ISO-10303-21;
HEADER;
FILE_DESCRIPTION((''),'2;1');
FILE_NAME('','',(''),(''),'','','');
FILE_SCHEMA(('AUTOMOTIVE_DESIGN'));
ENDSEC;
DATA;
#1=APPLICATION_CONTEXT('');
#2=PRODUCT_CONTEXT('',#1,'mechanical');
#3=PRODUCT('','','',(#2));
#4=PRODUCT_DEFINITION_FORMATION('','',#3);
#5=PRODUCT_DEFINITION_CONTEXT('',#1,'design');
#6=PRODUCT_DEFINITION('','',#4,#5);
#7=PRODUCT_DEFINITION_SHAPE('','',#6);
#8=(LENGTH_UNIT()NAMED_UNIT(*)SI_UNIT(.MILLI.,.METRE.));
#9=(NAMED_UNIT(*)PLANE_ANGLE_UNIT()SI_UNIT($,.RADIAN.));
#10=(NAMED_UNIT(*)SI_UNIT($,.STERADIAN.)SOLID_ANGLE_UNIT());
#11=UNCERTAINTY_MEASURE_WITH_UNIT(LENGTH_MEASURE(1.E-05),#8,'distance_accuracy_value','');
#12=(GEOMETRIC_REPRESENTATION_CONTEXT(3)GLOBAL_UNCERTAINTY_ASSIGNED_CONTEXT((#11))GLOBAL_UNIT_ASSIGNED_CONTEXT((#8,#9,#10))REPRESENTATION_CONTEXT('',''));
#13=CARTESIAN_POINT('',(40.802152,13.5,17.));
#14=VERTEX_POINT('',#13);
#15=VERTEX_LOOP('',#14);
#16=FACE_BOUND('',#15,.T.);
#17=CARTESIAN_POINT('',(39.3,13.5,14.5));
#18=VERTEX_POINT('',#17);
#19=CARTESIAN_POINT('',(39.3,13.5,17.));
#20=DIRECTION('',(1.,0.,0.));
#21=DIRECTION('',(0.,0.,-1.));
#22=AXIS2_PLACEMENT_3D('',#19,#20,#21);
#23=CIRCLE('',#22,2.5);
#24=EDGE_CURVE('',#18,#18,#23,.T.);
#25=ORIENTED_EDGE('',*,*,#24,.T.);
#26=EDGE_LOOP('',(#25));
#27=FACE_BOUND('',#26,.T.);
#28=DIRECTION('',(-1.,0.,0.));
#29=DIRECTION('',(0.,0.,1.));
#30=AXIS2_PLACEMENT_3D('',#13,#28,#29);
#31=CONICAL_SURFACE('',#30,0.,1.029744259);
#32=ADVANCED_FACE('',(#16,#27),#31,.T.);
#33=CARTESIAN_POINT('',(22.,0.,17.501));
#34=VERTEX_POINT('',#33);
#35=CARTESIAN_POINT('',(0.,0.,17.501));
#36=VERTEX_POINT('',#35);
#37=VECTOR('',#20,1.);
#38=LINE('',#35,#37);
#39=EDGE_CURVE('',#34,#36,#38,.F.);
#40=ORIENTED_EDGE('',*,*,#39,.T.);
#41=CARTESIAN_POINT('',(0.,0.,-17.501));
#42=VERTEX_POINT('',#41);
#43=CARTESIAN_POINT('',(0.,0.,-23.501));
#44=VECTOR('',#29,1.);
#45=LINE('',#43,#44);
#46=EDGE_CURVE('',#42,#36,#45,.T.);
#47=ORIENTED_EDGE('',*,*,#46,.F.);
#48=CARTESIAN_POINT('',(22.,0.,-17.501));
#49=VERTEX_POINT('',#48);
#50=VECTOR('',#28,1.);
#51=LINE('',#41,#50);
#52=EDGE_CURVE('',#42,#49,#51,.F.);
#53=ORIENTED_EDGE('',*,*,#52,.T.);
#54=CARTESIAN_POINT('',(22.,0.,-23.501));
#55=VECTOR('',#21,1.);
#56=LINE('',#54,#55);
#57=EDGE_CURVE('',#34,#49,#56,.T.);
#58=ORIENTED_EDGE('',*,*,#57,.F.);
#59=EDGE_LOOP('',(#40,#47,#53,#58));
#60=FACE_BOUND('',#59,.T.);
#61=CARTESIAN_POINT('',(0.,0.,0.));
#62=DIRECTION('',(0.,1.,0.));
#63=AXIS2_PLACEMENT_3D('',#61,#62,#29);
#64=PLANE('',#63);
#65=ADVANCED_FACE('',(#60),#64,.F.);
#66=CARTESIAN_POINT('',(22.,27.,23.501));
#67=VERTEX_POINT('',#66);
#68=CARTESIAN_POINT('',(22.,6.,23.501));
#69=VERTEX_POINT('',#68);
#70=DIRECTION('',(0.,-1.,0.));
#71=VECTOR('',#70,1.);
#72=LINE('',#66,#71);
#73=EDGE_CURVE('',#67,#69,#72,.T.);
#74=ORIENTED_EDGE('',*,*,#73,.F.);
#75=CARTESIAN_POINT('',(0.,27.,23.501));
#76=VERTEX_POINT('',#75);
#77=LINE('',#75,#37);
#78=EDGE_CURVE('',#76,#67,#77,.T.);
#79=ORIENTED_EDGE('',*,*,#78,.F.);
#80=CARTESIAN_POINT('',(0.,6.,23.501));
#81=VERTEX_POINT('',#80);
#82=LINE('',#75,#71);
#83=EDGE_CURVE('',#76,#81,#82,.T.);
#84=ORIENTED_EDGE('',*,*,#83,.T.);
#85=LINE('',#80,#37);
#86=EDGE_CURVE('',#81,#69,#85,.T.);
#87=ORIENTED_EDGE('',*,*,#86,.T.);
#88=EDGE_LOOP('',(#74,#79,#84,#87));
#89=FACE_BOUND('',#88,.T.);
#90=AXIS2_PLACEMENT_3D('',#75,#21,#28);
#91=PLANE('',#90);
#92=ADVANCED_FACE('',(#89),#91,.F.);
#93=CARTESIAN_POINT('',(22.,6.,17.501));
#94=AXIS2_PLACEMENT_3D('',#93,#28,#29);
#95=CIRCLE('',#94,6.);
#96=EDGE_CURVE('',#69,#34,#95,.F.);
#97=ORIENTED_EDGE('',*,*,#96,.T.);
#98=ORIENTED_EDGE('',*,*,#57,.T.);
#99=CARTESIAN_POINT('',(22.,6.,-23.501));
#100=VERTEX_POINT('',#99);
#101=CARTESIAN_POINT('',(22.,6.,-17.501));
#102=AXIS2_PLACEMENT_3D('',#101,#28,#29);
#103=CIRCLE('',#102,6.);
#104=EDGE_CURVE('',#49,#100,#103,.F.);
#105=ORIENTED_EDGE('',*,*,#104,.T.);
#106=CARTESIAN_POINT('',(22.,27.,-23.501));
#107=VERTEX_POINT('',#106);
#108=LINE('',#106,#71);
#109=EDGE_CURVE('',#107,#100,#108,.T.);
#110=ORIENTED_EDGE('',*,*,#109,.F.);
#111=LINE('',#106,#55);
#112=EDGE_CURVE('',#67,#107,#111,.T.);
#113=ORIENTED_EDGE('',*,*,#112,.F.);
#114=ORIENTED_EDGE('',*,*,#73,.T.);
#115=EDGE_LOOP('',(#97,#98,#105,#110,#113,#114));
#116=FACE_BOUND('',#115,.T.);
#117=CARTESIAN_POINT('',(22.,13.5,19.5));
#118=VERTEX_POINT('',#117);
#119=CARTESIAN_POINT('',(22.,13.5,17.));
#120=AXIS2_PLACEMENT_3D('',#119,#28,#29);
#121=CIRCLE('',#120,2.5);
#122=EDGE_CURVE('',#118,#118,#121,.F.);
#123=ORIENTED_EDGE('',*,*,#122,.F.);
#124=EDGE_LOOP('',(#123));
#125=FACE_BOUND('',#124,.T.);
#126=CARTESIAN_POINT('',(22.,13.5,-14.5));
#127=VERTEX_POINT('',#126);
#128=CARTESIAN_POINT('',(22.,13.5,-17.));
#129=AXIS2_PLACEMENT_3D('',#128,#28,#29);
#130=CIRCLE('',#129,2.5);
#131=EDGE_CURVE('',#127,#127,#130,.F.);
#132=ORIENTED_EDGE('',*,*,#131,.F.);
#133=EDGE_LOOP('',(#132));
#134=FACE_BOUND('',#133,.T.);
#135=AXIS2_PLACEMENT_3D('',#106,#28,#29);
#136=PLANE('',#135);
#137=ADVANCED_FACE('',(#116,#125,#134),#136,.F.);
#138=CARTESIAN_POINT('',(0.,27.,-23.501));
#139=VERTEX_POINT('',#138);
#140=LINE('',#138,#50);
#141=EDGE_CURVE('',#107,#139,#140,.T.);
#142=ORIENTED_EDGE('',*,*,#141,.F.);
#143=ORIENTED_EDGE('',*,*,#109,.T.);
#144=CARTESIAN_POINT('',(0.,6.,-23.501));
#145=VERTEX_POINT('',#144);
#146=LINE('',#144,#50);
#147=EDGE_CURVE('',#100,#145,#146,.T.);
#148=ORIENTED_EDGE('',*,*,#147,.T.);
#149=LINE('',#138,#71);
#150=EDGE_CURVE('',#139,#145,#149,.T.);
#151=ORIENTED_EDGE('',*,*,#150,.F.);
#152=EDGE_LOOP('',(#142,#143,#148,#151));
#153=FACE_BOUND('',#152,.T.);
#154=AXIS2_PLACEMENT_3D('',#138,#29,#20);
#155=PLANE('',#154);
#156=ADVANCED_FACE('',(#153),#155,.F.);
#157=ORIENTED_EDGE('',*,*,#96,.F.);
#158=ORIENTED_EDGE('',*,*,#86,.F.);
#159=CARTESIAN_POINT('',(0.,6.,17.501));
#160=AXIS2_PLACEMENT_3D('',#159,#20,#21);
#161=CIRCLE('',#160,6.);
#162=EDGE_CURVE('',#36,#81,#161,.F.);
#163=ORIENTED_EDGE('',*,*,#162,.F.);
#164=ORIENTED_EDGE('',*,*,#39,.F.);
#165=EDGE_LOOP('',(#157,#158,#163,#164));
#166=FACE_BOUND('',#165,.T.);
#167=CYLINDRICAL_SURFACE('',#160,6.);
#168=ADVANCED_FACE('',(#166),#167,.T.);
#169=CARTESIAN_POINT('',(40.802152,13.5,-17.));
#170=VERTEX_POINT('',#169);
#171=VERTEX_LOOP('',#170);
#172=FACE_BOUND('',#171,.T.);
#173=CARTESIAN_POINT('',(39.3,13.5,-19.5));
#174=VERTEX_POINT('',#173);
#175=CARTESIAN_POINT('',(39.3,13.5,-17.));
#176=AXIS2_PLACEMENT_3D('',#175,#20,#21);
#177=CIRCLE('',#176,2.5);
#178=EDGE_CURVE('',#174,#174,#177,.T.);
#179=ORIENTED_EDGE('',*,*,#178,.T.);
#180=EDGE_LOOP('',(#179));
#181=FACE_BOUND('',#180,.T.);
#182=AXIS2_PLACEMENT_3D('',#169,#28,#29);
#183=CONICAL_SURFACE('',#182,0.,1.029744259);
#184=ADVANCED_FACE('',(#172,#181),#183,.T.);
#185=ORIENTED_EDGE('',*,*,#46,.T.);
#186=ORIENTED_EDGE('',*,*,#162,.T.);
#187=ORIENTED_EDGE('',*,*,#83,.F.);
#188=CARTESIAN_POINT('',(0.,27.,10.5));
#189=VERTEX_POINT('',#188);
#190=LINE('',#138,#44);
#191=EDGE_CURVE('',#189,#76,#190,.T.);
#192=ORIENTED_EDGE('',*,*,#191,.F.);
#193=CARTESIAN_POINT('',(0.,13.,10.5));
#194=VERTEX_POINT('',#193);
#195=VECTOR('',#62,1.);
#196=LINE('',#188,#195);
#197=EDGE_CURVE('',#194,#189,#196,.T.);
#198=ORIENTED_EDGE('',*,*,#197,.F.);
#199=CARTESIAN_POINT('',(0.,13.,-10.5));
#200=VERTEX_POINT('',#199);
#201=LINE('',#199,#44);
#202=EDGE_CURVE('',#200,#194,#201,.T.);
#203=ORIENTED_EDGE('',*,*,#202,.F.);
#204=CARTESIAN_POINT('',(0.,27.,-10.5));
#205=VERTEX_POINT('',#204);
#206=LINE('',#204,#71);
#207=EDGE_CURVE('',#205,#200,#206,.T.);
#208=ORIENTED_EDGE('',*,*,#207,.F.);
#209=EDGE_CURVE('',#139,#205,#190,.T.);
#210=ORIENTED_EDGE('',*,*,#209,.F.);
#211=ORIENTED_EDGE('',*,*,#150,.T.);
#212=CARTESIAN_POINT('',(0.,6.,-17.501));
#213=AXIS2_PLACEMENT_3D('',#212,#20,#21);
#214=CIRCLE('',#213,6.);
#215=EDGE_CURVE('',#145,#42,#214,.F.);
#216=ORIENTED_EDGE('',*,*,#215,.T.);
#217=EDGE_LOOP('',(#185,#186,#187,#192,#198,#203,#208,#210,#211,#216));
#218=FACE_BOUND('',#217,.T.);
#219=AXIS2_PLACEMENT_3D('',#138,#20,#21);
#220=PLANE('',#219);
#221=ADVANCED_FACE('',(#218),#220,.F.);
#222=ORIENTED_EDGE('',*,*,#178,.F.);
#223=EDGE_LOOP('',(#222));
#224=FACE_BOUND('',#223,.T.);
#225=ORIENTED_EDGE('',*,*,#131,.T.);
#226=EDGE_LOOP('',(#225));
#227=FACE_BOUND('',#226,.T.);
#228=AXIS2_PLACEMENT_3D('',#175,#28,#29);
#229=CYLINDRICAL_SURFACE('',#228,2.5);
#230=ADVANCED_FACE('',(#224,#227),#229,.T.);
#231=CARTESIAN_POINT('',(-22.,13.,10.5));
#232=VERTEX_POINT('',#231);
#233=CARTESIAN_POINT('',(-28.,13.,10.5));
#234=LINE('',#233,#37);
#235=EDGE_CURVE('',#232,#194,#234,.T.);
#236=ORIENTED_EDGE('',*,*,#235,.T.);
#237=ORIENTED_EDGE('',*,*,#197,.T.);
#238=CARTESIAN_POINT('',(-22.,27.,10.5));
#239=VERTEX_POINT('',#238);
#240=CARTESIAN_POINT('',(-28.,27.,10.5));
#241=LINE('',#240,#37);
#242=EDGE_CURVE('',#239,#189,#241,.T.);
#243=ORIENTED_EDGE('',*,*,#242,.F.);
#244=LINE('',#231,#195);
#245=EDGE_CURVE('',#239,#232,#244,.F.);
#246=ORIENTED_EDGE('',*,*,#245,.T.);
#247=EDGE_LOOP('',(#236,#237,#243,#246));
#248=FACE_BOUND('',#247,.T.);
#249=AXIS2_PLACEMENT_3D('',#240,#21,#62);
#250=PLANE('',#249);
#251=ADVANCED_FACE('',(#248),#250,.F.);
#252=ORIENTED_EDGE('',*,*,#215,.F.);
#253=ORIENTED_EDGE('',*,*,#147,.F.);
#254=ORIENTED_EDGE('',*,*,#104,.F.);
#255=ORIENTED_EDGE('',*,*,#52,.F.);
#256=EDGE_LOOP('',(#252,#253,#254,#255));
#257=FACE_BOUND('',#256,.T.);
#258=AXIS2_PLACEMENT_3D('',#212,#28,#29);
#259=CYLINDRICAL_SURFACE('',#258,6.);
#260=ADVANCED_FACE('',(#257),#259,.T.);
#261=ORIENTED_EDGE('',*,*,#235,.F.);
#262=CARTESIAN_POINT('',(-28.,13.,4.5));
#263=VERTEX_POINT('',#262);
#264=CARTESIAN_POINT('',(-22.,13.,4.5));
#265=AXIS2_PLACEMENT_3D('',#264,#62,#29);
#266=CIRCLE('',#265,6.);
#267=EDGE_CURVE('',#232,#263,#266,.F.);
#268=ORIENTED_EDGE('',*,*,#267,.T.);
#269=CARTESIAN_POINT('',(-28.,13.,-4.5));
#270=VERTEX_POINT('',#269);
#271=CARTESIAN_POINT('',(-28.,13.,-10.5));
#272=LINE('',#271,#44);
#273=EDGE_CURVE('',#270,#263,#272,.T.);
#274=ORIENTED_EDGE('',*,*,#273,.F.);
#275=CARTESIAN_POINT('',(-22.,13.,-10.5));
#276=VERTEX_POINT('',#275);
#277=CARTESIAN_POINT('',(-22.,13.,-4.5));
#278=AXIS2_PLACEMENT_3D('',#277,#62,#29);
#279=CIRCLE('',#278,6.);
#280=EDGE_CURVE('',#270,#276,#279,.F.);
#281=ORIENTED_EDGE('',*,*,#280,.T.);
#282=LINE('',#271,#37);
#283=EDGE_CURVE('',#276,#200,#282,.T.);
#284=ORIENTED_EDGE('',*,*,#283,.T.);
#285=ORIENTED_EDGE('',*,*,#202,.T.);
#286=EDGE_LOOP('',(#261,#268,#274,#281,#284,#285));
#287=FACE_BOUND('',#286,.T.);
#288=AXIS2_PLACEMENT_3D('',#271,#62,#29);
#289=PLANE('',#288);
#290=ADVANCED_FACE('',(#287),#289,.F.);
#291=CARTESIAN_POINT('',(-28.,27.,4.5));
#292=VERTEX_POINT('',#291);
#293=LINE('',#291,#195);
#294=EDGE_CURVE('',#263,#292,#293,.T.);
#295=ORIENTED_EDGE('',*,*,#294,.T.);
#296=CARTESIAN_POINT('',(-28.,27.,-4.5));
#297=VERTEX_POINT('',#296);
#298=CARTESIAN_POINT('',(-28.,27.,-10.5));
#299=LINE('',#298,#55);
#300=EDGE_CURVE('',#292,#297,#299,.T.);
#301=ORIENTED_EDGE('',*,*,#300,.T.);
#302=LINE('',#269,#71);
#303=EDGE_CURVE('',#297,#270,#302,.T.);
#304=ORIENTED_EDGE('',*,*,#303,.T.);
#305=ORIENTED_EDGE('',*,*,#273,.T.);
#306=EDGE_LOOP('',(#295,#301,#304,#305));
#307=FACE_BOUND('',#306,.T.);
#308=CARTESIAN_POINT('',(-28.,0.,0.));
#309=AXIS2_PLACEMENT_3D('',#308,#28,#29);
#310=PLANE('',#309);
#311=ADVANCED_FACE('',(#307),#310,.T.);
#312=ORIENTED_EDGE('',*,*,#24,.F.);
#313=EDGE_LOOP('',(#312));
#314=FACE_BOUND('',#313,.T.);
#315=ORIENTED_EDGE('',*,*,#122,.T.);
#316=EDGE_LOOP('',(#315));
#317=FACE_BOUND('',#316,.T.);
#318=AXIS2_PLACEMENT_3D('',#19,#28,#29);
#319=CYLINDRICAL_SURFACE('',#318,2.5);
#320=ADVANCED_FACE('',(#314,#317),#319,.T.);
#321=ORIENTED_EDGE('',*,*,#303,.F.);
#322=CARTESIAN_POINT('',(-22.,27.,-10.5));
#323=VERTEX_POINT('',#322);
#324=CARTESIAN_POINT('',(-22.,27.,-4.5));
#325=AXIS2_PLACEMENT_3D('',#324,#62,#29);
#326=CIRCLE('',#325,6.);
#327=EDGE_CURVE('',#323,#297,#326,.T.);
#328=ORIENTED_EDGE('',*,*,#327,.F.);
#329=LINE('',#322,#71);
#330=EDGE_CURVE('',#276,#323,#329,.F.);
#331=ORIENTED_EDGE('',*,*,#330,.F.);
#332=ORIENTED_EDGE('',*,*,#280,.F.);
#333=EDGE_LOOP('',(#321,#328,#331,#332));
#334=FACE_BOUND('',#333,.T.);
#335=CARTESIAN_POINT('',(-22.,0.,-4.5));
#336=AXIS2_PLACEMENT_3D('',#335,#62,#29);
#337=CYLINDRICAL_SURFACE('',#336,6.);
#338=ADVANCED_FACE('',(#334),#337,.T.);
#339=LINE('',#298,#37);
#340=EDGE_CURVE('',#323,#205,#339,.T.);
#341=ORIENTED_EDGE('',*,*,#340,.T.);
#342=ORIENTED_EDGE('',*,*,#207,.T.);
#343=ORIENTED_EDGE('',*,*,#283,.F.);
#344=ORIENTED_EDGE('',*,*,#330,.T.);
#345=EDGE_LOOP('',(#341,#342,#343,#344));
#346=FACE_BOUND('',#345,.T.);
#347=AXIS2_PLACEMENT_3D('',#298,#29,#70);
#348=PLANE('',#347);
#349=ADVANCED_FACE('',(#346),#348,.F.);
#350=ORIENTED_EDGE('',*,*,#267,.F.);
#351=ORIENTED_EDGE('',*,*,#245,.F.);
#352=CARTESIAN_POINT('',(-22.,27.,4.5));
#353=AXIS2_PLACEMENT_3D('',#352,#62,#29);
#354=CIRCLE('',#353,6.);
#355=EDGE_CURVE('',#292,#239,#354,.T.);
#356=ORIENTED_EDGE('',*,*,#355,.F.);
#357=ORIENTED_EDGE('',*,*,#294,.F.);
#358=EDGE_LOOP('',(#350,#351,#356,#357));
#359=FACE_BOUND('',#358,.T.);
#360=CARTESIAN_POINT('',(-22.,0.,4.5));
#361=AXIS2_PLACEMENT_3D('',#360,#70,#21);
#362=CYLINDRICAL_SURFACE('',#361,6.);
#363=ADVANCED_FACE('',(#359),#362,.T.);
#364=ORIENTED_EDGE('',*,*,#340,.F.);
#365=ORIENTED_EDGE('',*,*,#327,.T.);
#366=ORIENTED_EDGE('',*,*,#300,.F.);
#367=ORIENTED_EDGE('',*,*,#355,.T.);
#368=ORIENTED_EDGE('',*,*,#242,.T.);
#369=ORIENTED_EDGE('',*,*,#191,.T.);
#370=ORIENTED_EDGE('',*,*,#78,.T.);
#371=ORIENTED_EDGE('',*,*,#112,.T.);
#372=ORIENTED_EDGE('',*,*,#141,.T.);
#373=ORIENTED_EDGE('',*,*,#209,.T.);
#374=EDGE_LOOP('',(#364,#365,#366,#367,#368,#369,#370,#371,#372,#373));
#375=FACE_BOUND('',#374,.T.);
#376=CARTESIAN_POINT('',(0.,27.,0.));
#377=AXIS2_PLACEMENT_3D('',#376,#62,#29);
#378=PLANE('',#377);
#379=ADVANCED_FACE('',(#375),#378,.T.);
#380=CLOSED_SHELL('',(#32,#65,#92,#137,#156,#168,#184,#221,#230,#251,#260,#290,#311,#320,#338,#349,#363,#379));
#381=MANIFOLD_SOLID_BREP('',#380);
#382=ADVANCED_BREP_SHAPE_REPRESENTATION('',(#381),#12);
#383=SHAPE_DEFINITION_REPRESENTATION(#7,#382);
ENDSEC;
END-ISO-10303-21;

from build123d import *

# Parameters (mm, degrees)
SKIZZE1_W                       = 22
SKIZZE1_H                       = 47.002
AUFSATZ_LINEAR_AUSTRAGEN1_DEPTH = 27
VERRUNDUNG1_R                   = 6
SKIZZE2_W                       = 21
SKIZZE2_H                       = 14
AUFSATZ_LINEAR_AUSTRAGEN2_DEPTH = 28
VERRUNDUNG2_R                   = 6
SKIZZE3_R                       = 2.5
AUFSATZ_LINEAR_AUSTRAGEN3_DEPTH = 17.3


with BuildPart() as part:
    # Skizze1 → Aufsatz-Linear austragen1 (new body)
    with BuildSketch(Plane(origin=(0, 0, 0), x_dir=(1, 0, 0), z_dir=(0, 1, 0))):
        with Locations((11, 0)):
            Rectangle(SKIZZE1_W, SKIZZE1_H)
    extrude(amount=AUFSATZ_LINEAR_AUSTRAGEN1_DEPTH)

    # Verrundung1
    verrundung1_edges = [part.edges().sort_by_distance(p)[0] for p in [
        (11, 0, -23.501),
        (11, 0, 23.501),
    ]]
    fillet(verrundung1_edges, radius=VERRUNDUNG1_R)

    # Skizze2 → Aufsatz-Linear austragen2 (add)
    with BuildSketch(Plane.ZY):
        with Locations((0, 20)):
            Rectangle(SKIZZE2_W, SKIZZE2_H)
    extrude(amount=AUFSATZ_LINEAR_AUSTRAGEN2_DEPTH)

    # Verrundung2
    verrundung2_edges = [part.edges().sort_by_distance(p)[0] for p in [
        (-28, 20, -10.5),
        (-28, 20, 10.5),
    ]]
    fillet(verrundung2_edges, radius=VERRUNDUNG2_R)

    # Skizze3 → Aufsatz-Linear austragen3 (add)
    with BuildSketch(Plane(origin=(22, 0, 0), x_dir=(0, 0, -1), z_dir=(1, 0, 0))):
        with Locations(Location((17, 13.5, 0), (0, 0, 180))):
            Circle(SKIZZE3_R)
        with Locations(Location((-17, 13.5, 0), (0, 0, 180))):
            Circle(SKIZZE3_R)
    extrude(amount=AUFSATZ_LINEAR_AUSTRAGEN3_DEPTH)

    # Skizze4 → Rotation2 (revolve)
    with BuildSketch(Plane(origin=(0, 13.5, 0), x_dir=(-1, 0, 0), z_dir=(0, 1, 0)), mode=Mode.PRIVATE) as rotation2_sk:
        Polygon((-39.3, 14.5), (-40.802151548, 17), (-39.3, 17), align=None)
    revolve(rotation2_sk.sketch.rotate(Axis((39.3, 13.5, 17), (1, 0, 0)), 180), axis=Axis((39.3, 13.5, 17), (1, 0, 0)))

    # Skizze5 → Rotation3 (revolve)
    with BuildSketch(Plane(origin=(0, 13.5, 0), x_dir=(-1, 0, 0), z_dir=(0, 1, 0)), mode=Mode.PRIVATE) as rotation3_sk:
        Polygon((-39.3, -19.5), (-39.3, -17), (-40.802151548, -17), align=None)
    revolve(rotation3_sk.sketch.rotate(Axis((39.3, 13.5, -17), (1, 0, 0)), 180), axis=Axis((39.3, 13.5, -17), (1, 0, 0)))


solid = part.part
